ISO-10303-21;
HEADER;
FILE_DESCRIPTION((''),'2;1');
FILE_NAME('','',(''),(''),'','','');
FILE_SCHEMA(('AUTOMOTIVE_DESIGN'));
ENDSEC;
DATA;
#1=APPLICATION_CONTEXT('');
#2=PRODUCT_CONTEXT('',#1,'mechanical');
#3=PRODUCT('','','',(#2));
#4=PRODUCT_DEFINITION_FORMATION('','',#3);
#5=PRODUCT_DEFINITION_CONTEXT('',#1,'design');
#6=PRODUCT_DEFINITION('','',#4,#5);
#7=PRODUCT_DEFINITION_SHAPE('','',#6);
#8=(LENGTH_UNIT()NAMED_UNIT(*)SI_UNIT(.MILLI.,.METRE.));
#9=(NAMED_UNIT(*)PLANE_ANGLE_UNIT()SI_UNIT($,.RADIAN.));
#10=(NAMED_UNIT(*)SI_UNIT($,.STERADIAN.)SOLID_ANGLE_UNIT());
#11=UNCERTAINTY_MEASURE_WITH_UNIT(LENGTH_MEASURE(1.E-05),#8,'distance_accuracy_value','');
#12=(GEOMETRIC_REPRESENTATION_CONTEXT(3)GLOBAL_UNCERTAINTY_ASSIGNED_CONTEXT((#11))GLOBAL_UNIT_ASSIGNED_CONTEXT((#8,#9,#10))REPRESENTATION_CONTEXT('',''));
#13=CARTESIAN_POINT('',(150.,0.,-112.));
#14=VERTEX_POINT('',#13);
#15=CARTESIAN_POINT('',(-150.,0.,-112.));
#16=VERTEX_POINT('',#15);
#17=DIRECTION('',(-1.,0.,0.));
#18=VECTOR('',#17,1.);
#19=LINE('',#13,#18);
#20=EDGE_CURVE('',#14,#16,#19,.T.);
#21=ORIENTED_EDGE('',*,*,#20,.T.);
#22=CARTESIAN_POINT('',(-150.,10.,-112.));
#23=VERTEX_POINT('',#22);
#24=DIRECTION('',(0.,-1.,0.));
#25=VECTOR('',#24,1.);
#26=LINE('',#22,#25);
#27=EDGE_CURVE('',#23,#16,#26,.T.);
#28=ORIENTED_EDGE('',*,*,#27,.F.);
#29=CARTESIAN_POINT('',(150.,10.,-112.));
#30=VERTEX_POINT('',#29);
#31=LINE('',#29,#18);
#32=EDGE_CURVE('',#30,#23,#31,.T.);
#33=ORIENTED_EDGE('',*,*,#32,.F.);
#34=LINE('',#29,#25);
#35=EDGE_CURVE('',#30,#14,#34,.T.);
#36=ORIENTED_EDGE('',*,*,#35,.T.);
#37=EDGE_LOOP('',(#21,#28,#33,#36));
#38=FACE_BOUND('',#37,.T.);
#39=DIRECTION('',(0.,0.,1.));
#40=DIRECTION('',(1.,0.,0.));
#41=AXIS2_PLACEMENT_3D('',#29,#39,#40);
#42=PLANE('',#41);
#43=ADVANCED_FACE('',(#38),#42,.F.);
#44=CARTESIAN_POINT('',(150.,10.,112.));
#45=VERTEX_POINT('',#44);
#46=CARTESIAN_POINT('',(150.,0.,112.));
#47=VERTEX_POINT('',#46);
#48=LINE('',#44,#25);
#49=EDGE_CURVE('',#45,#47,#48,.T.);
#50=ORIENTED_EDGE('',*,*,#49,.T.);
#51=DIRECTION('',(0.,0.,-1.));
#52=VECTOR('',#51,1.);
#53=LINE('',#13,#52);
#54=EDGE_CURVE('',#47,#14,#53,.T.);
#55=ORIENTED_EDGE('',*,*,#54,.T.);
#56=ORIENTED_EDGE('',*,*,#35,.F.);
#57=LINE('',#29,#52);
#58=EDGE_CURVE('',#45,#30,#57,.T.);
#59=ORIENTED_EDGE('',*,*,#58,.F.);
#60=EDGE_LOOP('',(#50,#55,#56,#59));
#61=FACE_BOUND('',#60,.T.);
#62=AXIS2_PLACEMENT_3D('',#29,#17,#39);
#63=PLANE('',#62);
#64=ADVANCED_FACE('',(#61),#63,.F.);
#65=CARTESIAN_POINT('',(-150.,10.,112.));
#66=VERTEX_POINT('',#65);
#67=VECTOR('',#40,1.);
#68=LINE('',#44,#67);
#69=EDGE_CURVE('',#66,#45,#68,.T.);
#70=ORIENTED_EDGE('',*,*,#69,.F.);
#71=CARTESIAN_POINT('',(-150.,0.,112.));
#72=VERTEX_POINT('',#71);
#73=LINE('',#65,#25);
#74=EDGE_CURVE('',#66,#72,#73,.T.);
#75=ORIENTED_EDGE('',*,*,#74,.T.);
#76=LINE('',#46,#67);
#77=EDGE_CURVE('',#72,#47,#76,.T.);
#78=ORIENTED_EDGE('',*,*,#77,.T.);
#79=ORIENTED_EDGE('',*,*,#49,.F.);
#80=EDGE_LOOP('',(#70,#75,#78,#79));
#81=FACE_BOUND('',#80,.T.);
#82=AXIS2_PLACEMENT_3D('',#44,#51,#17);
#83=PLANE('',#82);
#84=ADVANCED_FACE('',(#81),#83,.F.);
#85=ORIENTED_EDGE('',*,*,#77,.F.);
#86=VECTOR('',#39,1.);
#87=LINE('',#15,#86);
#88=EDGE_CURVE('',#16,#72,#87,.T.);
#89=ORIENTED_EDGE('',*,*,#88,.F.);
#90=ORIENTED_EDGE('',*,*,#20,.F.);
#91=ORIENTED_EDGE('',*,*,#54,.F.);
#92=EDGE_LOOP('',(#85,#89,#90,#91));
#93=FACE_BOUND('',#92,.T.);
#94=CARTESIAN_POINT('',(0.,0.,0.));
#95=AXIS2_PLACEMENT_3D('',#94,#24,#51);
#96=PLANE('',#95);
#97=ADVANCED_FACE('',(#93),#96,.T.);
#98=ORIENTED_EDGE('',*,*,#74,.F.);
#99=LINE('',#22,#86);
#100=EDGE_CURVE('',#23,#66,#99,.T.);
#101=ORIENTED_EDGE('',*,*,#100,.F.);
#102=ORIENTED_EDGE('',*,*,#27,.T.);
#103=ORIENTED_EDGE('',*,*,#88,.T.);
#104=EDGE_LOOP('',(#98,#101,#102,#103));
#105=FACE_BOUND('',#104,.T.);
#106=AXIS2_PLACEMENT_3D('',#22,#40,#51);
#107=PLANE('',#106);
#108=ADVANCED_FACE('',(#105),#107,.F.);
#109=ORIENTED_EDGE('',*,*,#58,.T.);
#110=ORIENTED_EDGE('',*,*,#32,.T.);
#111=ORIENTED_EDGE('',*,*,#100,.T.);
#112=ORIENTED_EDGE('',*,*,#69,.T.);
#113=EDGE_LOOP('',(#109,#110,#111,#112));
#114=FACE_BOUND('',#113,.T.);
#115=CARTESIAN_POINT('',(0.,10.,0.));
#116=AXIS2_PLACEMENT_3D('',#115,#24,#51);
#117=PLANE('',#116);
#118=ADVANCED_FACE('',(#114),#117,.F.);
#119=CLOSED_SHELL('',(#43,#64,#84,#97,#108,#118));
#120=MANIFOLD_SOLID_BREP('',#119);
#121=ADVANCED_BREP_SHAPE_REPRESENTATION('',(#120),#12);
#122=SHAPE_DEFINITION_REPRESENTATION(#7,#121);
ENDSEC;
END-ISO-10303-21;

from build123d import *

# Parameters (mm, degrees)
SKETCH_2_W      = 300
SKETCH_2_H      = 224
EXTRUDE_1_DEPTH = 10


with BuildPart() as part:
    # 草图2 → 凸台-拉伸1 (new body)
    with BuildSketch(Plane(origin=(0, 0, 0), x_dir=(1, 0, 0), z_dir=(0, 1, 0))):
        Rectangle(SKETCH_2_W, SKETCH_2_H)
    extrude(amount=EXTRUDE_1_DEPTH)


solid = part.part
